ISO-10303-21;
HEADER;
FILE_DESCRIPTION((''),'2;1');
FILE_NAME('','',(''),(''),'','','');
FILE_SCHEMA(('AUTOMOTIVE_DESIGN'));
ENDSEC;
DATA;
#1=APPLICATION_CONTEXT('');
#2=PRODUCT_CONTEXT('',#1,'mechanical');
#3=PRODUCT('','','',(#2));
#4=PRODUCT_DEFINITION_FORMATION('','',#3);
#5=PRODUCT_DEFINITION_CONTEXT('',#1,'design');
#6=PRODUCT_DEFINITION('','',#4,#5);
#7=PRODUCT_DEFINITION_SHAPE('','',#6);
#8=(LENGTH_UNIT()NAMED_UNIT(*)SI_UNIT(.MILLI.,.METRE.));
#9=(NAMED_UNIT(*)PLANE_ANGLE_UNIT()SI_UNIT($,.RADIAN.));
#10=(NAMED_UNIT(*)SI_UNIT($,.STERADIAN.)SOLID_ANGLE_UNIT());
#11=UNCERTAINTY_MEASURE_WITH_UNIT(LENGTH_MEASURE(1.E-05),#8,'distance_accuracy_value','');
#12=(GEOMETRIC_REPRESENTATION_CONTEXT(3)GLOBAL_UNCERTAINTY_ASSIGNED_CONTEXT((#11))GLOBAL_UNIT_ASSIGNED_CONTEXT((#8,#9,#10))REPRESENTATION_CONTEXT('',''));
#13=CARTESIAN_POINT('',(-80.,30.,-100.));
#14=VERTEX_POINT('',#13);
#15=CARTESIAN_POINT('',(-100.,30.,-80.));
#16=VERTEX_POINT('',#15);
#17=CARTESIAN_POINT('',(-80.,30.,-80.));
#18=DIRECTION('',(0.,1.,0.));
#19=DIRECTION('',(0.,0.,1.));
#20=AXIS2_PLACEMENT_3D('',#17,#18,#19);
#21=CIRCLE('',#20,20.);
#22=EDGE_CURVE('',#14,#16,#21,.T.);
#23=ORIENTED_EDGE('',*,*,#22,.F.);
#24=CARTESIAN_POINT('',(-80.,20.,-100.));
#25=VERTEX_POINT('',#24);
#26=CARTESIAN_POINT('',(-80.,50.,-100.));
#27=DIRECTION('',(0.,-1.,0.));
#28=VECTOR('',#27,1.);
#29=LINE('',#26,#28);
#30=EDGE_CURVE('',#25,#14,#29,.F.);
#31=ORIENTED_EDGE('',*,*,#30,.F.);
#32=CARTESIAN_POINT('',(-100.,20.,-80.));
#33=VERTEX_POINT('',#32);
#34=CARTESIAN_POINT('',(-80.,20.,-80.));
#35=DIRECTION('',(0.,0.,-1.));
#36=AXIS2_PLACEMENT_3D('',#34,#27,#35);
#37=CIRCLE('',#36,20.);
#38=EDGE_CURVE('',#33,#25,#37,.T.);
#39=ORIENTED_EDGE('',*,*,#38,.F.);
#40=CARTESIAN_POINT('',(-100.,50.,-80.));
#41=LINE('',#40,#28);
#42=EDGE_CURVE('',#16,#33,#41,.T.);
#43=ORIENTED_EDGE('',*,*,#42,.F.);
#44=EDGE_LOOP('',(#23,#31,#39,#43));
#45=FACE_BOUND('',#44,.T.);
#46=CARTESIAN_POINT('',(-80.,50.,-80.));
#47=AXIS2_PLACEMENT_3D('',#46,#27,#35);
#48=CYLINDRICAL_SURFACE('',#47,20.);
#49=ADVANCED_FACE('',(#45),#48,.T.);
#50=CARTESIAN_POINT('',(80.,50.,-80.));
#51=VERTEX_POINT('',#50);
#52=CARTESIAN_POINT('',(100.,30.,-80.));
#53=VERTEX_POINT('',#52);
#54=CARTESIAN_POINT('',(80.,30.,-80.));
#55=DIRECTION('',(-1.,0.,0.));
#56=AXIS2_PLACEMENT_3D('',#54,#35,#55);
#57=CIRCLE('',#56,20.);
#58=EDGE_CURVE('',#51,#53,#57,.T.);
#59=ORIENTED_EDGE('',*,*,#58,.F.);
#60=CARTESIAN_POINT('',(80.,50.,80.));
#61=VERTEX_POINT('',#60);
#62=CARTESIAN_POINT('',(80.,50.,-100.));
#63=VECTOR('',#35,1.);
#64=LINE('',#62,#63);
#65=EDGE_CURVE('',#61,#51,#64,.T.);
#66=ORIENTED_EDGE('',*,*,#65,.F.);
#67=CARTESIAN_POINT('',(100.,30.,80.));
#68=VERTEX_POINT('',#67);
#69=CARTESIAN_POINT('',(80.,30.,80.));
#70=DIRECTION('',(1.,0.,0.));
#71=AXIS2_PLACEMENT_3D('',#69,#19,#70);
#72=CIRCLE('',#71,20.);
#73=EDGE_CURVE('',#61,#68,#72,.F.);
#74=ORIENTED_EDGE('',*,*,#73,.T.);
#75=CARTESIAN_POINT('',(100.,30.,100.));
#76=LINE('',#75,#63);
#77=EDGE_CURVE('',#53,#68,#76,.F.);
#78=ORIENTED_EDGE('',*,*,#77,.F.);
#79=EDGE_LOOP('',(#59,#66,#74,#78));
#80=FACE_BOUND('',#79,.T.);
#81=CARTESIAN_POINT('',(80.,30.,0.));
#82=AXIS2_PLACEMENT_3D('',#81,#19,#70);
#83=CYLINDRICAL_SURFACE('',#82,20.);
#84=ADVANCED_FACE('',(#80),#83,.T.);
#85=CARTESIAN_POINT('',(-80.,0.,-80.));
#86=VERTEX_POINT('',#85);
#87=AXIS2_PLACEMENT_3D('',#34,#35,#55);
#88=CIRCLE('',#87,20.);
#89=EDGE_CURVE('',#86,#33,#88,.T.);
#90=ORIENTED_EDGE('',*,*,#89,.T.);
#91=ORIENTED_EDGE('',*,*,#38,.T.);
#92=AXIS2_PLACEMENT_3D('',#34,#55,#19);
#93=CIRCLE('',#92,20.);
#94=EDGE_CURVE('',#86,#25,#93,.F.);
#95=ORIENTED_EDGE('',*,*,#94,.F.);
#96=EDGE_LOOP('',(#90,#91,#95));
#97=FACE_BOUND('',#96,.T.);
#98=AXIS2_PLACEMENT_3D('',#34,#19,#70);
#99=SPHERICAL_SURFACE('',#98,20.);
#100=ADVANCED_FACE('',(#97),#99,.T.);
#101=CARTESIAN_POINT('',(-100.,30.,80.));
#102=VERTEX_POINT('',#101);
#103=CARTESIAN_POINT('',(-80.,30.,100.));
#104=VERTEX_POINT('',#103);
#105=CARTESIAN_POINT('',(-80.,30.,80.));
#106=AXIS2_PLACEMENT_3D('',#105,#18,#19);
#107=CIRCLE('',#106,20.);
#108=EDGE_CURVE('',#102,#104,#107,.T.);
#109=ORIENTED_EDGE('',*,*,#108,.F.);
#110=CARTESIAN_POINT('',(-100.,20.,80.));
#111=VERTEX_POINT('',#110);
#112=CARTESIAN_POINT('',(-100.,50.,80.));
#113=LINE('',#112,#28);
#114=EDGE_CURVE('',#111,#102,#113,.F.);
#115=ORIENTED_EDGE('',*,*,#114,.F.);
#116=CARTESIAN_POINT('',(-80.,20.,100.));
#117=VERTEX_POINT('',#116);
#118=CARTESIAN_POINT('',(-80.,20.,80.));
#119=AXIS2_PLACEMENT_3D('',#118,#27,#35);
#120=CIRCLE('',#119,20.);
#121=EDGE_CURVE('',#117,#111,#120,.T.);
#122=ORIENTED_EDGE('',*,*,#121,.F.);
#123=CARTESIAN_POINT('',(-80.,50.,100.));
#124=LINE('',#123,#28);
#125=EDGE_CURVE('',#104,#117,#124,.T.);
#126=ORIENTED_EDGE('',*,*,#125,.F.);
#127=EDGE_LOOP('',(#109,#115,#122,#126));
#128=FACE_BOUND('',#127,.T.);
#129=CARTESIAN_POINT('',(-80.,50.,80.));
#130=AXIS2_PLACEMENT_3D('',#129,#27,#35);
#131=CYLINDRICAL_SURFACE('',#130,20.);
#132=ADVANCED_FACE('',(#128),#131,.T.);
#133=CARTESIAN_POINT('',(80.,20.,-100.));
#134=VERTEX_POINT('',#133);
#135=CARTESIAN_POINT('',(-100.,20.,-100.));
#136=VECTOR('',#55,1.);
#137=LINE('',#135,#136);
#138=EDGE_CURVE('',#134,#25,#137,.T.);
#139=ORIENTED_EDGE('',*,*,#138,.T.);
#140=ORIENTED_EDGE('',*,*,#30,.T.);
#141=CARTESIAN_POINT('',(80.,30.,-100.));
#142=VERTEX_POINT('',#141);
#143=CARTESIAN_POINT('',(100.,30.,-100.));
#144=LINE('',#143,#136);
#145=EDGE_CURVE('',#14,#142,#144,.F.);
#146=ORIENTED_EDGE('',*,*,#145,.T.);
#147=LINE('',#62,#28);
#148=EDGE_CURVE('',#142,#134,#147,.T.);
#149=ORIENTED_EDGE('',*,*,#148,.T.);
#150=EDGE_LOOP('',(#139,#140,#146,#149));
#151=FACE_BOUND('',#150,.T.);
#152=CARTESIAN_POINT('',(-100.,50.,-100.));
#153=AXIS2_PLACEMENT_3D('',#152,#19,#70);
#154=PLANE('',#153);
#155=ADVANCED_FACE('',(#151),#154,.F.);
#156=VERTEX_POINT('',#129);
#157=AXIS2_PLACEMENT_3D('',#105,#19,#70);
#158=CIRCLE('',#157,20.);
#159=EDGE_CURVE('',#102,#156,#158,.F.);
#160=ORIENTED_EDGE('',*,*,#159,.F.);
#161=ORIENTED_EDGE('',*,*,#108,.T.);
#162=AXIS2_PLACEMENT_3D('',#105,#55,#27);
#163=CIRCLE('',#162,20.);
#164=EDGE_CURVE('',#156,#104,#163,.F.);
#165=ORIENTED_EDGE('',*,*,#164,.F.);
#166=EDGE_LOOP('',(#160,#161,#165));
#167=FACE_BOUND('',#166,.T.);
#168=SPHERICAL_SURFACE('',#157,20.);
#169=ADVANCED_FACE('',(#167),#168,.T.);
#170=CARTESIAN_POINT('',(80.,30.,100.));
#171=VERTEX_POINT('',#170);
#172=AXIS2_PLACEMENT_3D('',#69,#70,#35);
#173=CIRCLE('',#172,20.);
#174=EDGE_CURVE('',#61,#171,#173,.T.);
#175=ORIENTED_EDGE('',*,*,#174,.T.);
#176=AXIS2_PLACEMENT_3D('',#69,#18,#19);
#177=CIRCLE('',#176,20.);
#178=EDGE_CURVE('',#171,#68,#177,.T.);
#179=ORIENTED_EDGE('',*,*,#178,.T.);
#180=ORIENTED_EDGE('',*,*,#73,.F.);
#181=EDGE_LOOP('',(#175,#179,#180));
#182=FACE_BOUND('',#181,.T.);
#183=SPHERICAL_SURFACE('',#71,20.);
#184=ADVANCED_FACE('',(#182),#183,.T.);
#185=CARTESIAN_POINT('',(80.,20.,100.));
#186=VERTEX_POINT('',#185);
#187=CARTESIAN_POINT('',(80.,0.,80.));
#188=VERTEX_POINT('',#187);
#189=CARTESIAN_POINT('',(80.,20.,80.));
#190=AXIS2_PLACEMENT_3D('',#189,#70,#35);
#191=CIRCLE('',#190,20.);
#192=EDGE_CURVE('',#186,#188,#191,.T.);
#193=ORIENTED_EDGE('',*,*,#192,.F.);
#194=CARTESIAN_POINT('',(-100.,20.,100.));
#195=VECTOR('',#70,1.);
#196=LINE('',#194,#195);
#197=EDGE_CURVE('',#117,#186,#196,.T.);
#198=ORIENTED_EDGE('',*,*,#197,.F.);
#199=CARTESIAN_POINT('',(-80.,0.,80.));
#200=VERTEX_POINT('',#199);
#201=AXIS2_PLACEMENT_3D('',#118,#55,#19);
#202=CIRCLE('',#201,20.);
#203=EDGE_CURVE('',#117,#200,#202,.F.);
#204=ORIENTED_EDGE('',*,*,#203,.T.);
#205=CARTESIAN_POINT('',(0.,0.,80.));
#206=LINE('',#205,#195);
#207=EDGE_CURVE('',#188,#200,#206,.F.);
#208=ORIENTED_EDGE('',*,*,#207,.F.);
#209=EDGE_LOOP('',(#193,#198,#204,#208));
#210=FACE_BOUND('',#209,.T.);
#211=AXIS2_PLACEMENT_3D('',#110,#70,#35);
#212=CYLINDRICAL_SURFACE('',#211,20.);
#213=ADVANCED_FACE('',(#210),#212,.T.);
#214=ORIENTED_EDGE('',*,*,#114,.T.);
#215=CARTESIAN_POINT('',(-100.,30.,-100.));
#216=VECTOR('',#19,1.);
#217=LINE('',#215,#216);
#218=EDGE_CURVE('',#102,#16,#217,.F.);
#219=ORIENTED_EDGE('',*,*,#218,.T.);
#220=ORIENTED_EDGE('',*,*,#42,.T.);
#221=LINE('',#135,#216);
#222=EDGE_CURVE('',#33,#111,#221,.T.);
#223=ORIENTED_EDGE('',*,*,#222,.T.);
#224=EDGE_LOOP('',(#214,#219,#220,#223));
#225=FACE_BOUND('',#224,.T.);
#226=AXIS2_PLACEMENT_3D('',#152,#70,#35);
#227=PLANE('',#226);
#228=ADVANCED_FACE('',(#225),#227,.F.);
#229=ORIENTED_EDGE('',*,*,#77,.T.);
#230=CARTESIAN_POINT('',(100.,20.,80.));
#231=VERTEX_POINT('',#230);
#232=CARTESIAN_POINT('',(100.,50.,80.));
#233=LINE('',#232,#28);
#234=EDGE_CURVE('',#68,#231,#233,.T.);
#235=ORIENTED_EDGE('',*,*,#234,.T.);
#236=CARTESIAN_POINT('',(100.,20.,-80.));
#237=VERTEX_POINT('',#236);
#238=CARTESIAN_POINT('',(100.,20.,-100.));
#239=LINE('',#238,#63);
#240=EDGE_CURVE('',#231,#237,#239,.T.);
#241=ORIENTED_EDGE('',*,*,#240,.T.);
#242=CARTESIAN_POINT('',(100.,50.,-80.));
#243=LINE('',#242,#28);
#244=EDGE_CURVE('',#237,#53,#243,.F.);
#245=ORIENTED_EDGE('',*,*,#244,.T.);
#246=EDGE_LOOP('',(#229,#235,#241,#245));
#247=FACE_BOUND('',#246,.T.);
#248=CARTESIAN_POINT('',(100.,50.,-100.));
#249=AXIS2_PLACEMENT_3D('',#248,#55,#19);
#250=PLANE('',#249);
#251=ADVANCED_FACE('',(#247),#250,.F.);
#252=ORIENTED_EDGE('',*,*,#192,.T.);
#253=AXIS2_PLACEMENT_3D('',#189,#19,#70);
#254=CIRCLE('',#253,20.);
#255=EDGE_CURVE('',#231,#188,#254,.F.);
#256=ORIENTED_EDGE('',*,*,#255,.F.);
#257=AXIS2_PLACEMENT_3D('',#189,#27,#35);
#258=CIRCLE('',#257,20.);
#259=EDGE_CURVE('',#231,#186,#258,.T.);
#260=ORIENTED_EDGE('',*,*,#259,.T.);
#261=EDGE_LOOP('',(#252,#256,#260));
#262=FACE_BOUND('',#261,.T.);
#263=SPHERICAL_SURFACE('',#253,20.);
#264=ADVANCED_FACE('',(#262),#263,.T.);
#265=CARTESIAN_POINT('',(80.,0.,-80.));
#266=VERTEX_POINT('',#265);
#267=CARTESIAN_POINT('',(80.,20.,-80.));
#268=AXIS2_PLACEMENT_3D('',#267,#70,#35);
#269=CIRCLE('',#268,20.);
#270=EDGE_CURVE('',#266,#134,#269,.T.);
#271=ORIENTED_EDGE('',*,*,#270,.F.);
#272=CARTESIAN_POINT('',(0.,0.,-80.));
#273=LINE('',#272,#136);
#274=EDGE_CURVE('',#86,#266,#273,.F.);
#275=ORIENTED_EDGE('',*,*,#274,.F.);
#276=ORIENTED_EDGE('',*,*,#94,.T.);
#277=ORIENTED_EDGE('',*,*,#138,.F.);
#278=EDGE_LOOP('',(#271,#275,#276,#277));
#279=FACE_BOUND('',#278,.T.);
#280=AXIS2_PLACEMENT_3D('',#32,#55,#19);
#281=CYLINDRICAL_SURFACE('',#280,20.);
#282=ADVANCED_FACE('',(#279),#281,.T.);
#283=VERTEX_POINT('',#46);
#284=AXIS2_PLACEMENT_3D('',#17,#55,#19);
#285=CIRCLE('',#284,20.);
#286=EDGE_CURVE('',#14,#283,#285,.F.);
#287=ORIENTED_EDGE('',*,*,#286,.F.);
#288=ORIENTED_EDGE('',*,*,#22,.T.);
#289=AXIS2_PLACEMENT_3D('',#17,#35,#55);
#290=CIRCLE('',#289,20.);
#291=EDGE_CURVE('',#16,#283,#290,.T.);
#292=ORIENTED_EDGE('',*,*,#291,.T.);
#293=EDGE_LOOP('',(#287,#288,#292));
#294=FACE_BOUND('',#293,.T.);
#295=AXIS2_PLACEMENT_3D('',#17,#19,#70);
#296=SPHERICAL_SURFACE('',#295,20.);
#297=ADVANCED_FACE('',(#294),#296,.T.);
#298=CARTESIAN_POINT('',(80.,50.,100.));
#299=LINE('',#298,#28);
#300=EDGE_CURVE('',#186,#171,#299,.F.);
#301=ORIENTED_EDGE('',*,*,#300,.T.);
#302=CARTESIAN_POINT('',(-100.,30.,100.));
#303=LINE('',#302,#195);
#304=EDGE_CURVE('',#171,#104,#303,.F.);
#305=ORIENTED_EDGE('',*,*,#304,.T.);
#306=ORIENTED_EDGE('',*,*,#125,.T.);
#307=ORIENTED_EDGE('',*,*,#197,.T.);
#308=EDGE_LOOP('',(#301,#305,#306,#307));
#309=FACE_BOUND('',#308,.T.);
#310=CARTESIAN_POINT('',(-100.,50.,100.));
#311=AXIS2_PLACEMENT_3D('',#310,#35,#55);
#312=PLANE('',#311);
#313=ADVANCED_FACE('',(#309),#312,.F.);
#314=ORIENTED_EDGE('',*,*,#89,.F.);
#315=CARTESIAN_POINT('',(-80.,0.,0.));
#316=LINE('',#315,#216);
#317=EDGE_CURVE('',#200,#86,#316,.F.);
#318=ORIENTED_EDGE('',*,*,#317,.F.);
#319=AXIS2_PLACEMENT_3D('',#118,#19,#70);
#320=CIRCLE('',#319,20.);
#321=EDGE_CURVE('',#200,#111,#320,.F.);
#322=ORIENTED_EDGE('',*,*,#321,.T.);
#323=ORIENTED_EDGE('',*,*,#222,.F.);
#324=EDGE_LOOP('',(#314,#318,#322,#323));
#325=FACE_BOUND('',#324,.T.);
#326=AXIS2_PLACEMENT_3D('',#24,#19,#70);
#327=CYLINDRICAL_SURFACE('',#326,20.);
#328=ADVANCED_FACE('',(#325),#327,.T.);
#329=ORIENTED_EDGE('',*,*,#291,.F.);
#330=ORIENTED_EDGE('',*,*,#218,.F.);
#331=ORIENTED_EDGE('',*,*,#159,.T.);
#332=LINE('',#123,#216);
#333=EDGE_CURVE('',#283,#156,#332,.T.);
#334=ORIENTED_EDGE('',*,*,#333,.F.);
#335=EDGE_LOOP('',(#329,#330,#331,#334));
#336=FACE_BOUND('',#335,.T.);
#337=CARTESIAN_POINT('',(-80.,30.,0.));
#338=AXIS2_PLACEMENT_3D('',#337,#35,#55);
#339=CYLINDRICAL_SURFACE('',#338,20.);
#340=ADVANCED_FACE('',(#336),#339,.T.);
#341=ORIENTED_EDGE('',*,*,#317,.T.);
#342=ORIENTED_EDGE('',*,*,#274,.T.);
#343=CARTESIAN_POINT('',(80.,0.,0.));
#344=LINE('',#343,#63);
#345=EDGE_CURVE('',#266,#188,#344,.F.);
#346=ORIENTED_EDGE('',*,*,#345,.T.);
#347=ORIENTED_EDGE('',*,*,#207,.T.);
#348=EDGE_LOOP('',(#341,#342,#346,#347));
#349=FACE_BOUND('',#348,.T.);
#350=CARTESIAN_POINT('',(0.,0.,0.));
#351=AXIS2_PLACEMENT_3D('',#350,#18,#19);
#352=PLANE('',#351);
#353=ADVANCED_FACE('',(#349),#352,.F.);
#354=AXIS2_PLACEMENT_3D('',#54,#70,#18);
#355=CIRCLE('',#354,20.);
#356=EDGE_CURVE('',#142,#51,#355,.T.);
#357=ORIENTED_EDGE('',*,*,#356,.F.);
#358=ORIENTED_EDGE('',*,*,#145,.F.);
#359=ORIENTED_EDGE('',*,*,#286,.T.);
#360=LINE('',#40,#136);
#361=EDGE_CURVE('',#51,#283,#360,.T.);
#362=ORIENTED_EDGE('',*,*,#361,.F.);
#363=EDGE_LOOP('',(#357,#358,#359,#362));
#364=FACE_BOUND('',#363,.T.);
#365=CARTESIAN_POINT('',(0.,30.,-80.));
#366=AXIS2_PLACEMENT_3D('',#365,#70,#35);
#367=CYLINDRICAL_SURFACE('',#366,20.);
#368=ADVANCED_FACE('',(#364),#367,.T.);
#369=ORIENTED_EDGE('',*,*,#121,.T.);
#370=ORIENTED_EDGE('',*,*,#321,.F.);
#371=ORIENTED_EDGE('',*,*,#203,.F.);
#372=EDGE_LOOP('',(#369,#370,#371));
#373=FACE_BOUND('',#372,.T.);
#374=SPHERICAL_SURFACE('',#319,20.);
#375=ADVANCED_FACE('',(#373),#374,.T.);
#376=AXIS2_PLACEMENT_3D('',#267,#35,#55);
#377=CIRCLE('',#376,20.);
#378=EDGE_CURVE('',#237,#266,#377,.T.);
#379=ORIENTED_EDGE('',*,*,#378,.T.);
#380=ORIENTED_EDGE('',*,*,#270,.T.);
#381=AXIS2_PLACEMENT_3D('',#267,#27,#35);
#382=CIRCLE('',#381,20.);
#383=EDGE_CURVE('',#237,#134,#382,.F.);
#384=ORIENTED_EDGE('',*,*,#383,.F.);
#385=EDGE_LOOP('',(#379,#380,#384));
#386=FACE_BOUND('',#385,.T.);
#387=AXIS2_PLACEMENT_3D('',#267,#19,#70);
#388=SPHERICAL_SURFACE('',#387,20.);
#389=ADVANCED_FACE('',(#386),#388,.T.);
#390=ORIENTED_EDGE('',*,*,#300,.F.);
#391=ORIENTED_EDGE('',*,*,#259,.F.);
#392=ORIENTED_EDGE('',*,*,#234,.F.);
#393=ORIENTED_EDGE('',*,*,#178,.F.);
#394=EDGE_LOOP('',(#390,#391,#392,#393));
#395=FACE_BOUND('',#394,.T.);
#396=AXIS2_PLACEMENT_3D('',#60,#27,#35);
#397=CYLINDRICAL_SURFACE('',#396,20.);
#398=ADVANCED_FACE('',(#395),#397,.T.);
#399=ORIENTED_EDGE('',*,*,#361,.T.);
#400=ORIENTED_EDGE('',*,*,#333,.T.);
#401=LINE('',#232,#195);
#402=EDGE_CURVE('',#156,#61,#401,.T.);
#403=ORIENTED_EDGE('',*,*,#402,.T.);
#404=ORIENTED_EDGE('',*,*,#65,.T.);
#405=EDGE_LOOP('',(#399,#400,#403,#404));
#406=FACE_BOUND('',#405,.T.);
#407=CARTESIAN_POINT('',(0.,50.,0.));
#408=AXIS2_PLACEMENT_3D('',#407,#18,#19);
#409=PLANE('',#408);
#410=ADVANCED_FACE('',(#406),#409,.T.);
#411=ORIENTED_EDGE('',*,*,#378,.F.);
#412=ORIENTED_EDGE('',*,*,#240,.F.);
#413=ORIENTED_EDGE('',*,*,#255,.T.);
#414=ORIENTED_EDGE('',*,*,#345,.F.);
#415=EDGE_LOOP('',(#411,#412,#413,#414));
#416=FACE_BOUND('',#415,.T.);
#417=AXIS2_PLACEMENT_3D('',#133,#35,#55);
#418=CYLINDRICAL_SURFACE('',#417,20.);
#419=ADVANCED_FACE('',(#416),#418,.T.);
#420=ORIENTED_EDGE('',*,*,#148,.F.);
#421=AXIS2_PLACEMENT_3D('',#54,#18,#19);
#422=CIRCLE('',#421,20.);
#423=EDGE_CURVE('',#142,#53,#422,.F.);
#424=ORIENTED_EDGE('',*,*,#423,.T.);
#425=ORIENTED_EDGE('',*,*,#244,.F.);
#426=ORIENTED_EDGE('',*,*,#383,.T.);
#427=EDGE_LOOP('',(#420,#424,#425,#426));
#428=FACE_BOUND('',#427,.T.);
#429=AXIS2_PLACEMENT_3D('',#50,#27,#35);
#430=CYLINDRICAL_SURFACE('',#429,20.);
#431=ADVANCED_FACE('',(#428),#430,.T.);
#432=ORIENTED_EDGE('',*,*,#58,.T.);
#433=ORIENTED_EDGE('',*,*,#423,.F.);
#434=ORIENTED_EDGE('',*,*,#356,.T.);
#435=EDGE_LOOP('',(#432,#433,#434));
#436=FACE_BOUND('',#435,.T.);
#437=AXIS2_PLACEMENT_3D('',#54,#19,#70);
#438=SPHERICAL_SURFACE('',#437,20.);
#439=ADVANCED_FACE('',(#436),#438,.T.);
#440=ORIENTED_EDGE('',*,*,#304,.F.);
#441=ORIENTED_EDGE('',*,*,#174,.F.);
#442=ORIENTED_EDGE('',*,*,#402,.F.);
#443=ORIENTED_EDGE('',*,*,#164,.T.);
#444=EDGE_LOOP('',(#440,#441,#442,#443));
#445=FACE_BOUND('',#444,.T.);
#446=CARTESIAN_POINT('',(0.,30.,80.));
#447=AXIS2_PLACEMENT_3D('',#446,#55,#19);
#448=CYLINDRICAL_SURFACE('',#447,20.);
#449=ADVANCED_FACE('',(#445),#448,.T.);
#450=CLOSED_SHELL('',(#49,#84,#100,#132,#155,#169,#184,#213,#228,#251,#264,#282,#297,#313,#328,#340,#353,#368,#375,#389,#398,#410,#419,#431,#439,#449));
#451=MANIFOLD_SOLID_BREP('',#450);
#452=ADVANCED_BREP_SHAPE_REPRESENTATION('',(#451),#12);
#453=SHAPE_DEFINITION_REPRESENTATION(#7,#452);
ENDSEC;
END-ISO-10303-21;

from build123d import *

# Parameters (mm, degrees)
SKIZZE1_W                       = 200
SKIZZE1_H                       = 200
AUFSATZ_LINEAR_AUSTRAGEN1_DEPTH = 50
VERRUNDUNG1_R                   = 20


with BuildPart() as part:
    # Skizze1 → Aufsatz-Linear austragen1 (new body)
    with BuildSketch(Plane(origin=(0, 0, 0), x_dir=(1, 0, 0), z_dir=(0, 1, 0))):
        Rectangle(SKIZZE1_W, SKIZZE1_H)
    extrude(amount=AUFSATZ_LINEAR_AUSTRAGEN1_DEPTH)

    # Verrundung1
    verrundung1_edges = [part.edges().sort_by_distance(p)[0] for p in [
        (-100, 50, 0),
        (0, 50, 100),
        (100, 50, 0),
        (0, 0, 100),
        (-100, 0, 0),
        (0, 0, -100),
        (100, 0, 0),
        (100, 25, 100),
        (-100, 25, 100),
        (-100, 25, -100),
        (100, 25, -100),
        (0, 50, -100),
    ]]
    fillet(verrundung1_edges, radius=VERRUNDUNG1_R)


solid = part.part
